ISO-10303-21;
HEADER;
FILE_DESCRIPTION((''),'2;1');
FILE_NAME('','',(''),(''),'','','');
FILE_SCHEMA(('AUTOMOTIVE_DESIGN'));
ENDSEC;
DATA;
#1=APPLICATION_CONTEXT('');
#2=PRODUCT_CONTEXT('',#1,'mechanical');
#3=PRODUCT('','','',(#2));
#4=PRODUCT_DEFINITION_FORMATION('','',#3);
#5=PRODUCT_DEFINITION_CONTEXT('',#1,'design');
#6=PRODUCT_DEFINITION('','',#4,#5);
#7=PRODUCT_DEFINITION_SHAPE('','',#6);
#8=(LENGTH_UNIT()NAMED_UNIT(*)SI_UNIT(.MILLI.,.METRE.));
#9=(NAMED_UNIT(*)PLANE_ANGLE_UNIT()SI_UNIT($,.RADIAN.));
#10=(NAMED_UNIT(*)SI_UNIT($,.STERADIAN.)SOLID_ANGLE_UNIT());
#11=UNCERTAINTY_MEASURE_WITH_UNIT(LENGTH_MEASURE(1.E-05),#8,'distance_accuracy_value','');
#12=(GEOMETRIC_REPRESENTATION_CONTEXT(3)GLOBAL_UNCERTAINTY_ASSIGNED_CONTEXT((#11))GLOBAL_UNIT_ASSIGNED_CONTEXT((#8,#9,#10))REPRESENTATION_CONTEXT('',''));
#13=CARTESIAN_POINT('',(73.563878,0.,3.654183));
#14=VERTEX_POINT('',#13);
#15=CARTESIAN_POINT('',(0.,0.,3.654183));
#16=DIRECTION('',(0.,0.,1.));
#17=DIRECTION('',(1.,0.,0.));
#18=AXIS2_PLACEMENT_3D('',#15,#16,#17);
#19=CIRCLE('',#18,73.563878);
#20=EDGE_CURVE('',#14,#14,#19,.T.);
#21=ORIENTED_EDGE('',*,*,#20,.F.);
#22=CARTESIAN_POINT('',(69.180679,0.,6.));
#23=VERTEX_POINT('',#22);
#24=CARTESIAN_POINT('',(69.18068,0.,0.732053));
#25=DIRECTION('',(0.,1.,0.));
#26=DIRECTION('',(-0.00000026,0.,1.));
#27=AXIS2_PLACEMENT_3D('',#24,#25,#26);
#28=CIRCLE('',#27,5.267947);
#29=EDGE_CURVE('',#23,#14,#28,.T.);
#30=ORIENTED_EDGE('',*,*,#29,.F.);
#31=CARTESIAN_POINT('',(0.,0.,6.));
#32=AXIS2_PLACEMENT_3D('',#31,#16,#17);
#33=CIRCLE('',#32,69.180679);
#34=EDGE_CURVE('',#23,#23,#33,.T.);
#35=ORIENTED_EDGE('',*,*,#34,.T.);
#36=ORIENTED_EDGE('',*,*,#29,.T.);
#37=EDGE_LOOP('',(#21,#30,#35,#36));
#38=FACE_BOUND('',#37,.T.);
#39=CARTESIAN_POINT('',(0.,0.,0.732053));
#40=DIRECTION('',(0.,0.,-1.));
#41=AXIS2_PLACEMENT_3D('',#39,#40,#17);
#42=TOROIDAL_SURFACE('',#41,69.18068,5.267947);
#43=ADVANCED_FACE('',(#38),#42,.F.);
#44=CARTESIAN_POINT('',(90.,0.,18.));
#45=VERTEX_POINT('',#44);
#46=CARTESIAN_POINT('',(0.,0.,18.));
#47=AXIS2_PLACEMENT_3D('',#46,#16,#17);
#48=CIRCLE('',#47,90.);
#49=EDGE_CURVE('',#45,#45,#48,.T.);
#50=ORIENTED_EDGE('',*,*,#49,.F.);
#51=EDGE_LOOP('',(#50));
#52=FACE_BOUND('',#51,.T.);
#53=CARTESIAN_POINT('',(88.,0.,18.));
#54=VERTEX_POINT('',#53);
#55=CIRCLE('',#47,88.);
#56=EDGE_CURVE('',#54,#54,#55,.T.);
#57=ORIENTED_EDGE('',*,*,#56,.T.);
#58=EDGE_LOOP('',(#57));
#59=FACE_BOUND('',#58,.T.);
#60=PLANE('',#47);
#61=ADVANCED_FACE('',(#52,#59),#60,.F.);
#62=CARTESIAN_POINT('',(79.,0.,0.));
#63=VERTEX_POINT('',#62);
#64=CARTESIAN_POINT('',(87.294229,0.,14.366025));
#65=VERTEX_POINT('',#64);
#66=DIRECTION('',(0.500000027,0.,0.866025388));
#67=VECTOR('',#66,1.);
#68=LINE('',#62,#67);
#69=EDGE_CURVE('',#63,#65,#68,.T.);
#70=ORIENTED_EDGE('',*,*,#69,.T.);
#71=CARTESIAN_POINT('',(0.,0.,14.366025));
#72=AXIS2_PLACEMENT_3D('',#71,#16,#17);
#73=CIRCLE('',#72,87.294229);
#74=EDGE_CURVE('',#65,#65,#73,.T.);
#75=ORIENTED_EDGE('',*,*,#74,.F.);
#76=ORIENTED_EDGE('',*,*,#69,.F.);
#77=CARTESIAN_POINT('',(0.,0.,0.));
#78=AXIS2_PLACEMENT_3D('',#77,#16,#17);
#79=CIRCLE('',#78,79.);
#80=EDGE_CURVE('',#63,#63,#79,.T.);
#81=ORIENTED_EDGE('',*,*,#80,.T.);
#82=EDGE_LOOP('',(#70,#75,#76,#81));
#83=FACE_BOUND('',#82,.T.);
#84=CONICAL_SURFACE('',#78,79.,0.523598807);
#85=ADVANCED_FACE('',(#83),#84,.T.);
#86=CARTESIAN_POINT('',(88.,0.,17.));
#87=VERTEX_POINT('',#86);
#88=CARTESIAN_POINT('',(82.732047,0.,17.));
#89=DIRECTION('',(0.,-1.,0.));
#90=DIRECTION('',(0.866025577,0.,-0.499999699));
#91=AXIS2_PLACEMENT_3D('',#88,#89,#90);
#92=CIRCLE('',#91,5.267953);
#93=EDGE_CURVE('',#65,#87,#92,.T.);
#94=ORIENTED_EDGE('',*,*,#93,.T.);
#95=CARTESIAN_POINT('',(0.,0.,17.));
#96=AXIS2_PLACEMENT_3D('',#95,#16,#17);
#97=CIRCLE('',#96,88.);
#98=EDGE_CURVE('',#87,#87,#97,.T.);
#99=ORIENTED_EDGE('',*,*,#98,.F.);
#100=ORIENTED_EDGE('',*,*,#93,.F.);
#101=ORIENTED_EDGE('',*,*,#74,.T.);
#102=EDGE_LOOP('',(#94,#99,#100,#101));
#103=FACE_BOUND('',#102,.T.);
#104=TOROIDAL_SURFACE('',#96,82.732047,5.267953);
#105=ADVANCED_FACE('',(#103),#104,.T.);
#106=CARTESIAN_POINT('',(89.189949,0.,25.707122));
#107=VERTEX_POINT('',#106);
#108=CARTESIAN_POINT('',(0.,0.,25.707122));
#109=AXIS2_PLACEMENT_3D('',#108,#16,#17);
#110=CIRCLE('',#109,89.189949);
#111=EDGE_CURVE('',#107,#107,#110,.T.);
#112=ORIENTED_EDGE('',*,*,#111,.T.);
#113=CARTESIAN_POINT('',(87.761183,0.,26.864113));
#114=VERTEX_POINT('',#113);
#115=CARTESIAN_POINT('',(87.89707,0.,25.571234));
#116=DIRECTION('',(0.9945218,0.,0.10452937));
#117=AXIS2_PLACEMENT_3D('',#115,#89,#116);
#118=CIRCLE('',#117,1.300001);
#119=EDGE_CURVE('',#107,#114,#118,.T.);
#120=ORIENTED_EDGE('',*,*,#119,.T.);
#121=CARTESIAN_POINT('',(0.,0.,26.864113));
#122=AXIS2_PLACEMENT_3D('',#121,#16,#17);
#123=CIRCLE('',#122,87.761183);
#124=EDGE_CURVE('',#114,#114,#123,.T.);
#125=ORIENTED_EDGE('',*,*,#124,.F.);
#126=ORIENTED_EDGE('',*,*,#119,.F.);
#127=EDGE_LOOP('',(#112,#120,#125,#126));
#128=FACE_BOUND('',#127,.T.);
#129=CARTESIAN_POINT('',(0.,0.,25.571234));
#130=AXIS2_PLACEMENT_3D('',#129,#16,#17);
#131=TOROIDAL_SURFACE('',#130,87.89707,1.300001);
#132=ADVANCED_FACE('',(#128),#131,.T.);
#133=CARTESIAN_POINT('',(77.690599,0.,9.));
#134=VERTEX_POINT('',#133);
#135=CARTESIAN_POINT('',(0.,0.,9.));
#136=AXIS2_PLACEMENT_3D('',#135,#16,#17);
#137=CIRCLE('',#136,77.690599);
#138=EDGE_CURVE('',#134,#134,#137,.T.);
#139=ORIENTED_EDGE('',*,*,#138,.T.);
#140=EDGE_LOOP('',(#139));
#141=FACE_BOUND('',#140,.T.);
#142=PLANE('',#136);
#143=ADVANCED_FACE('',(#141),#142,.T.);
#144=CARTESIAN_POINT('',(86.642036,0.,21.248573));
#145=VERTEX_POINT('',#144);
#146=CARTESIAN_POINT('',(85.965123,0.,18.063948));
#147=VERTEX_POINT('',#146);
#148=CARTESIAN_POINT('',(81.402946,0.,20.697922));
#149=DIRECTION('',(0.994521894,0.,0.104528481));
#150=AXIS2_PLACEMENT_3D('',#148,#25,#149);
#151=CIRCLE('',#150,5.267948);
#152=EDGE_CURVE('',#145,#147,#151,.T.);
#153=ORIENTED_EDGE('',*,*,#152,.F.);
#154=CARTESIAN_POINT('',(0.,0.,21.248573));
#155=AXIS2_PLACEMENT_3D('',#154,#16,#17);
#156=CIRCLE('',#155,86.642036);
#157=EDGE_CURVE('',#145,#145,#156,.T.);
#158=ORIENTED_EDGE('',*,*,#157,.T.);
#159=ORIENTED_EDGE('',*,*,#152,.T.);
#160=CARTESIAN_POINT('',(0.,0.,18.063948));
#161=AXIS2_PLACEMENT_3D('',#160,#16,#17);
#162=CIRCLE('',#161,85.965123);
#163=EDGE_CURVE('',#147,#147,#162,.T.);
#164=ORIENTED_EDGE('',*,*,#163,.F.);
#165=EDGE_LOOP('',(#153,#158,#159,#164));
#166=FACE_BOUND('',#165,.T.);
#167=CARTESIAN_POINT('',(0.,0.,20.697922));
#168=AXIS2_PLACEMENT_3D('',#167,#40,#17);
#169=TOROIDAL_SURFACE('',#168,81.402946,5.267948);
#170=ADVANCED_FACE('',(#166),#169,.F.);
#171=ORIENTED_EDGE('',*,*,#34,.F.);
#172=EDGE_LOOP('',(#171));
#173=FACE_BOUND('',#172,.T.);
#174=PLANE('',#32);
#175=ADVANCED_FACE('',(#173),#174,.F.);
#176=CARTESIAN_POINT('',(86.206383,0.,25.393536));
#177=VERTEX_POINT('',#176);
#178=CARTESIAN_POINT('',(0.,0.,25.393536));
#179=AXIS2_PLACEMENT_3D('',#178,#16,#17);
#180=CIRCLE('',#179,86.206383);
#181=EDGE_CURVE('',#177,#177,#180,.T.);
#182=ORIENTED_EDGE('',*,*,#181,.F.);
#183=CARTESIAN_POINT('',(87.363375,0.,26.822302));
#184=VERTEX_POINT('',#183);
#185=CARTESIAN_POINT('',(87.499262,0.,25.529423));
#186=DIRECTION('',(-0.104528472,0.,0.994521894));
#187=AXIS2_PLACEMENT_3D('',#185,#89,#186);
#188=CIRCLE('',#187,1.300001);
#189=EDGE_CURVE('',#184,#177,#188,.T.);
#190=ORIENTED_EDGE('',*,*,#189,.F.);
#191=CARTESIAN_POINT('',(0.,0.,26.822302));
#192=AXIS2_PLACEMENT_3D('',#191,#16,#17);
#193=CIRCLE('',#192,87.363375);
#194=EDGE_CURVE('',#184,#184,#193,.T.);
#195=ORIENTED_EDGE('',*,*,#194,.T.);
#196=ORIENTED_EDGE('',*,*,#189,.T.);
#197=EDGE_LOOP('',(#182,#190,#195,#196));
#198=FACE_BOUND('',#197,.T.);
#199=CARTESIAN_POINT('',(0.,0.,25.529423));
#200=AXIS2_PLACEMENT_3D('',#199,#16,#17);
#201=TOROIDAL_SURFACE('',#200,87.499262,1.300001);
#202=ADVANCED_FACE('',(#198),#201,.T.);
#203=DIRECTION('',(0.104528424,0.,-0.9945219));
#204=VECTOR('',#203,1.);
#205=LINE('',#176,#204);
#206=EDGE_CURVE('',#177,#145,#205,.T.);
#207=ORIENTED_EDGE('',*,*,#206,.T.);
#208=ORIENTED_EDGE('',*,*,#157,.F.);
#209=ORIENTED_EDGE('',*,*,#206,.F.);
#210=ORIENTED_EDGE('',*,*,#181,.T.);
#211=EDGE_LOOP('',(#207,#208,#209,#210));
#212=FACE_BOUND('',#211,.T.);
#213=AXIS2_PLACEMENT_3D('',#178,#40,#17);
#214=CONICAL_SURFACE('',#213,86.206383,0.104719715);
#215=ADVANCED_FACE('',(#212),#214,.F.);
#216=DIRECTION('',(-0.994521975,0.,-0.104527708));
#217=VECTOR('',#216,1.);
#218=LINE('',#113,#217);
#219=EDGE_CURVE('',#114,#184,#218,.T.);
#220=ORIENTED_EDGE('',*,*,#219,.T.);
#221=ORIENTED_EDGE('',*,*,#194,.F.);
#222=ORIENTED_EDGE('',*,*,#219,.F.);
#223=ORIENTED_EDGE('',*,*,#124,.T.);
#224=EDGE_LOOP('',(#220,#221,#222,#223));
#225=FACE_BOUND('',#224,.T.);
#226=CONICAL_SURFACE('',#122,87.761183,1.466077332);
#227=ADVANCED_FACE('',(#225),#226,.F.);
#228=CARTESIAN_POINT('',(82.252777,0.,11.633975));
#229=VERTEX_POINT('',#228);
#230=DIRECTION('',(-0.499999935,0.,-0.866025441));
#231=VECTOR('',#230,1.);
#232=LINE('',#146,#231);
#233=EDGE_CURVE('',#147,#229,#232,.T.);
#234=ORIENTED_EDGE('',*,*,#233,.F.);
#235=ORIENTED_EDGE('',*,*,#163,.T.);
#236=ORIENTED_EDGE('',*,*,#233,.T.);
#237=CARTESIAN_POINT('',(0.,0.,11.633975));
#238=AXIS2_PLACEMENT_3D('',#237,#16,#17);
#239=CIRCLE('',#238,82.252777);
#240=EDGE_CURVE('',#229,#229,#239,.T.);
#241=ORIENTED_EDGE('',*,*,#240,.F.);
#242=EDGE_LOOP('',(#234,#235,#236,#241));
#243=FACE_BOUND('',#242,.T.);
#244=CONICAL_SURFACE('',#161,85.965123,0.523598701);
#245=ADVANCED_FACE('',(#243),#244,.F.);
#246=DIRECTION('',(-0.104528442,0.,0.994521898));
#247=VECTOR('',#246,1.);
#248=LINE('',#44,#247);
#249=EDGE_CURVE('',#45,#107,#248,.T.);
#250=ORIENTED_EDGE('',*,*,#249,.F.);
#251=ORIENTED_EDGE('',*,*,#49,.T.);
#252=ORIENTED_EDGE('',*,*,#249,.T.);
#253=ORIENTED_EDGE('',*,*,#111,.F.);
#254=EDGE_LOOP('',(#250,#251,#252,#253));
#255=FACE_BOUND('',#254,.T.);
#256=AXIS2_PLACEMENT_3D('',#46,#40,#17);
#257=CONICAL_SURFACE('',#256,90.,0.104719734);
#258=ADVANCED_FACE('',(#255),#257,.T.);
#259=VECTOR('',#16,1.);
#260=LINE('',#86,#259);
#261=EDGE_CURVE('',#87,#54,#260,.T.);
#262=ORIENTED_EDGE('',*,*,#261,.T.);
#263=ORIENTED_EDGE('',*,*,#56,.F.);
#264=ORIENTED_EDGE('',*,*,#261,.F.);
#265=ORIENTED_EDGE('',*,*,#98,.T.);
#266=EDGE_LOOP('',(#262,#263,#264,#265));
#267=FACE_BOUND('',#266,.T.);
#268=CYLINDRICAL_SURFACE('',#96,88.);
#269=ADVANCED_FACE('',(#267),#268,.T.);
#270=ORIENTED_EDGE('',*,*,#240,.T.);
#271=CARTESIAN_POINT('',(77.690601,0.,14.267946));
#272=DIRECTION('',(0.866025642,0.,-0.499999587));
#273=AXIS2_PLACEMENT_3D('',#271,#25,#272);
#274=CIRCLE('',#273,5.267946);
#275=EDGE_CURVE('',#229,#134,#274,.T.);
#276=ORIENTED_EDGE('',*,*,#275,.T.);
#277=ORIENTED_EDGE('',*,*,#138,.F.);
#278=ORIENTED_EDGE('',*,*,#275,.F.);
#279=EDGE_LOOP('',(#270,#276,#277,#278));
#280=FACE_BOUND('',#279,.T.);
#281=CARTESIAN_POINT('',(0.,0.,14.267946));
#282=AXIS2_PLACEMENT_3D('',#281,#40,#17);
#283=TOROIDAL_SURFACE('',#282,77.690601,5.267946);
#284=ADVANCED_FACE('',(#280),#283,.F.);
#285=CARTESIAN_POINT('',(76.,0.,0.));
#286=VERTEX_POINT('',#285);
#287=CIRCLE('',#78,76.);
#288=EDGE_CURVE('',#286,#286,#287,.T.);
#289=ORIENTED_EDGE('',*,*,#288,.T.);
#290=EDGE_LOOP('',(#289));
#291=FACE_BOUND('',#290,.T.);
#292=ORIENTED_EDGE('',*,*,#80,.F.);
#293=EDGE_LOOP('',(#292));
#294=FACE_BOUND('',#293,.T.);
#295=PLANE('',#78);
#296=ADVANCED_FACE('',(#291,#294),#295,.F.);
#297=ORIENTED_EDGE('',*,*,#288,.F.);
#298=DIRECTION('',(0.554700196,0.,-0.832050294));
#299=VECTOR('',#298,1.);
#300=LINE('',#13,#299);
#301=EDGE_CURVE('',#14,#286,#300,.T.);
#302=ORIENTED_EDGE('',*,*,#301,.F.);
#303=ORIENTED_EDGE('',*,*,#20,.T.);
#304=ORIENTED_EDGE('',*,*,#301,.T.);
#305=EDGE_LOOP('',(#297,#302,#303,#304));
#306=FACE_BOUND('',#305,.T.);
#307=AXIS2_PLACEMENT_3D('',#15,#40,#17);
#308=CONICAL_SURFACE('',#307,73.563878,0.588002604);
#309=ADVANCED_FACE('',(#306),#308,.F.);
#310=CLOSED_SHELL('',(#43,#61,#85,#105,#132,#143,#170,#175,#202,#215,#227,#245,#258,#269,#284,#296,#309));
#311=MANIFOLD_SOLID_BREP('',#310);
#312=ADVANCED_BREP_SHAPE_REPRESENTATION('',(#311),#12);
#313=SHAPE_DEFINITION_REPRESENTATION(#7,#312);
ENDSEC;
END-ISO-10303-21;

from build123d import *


with BuildPart() as f1:
    # F0 (on Front) → F1 (revolve)
    with BuildSketch(Plane.XZ):
        with BuildLine():
            Line((0, 9), (0, 6))
            Line((0, 6), (69.180679, 6))
            ThreePointArc((69.180679, 6), (71.666403, 5.376668), (73.563878, 3.654183))
            Line((73.563878, 3.654183), (76, 0))
            Line((76, 0), (79, 0))
            Line((79, 0), (87.294229, 14.366025))
            ThreePointArc((87.294229, 14.366025), (87.820499, 15.636554), (88, 17))
            Line((88, 17), (88, 18))
            Line((88, 18), (90, 18))
            Line((90, 18), (89.189949, 25.707122))
            ThreePointArc((89.189949, 25.707122), (88.715187, 26.581524), (87.761183, 26.864113))
            Line((87.761183, 26.864113), (87.363375, 26.822302))
            ThreePointArc((87.363375, 26.822302), (86.488972, 26.34754), (86.206383, 25.393536))
            Line((86.206383, 25.393536), (86.642036, 21.248573))
            ThreePointArc((86.642036, 21.248573), (86.555777, 19.602654), (85.965123, 18.063948))
            Line((85.965123, 18.063948), (82.252777, 11.633975))
            ThreePointArc((82.252777, 11.633975), (80.324574, 9.705771), (77.690599, 9))
            Line((77.690599, 9), (0, 9))
        make_face()
    revolve(axis=Axis((0, 0, 12.853561), (0, 0, 1)))


solid = f1.part
